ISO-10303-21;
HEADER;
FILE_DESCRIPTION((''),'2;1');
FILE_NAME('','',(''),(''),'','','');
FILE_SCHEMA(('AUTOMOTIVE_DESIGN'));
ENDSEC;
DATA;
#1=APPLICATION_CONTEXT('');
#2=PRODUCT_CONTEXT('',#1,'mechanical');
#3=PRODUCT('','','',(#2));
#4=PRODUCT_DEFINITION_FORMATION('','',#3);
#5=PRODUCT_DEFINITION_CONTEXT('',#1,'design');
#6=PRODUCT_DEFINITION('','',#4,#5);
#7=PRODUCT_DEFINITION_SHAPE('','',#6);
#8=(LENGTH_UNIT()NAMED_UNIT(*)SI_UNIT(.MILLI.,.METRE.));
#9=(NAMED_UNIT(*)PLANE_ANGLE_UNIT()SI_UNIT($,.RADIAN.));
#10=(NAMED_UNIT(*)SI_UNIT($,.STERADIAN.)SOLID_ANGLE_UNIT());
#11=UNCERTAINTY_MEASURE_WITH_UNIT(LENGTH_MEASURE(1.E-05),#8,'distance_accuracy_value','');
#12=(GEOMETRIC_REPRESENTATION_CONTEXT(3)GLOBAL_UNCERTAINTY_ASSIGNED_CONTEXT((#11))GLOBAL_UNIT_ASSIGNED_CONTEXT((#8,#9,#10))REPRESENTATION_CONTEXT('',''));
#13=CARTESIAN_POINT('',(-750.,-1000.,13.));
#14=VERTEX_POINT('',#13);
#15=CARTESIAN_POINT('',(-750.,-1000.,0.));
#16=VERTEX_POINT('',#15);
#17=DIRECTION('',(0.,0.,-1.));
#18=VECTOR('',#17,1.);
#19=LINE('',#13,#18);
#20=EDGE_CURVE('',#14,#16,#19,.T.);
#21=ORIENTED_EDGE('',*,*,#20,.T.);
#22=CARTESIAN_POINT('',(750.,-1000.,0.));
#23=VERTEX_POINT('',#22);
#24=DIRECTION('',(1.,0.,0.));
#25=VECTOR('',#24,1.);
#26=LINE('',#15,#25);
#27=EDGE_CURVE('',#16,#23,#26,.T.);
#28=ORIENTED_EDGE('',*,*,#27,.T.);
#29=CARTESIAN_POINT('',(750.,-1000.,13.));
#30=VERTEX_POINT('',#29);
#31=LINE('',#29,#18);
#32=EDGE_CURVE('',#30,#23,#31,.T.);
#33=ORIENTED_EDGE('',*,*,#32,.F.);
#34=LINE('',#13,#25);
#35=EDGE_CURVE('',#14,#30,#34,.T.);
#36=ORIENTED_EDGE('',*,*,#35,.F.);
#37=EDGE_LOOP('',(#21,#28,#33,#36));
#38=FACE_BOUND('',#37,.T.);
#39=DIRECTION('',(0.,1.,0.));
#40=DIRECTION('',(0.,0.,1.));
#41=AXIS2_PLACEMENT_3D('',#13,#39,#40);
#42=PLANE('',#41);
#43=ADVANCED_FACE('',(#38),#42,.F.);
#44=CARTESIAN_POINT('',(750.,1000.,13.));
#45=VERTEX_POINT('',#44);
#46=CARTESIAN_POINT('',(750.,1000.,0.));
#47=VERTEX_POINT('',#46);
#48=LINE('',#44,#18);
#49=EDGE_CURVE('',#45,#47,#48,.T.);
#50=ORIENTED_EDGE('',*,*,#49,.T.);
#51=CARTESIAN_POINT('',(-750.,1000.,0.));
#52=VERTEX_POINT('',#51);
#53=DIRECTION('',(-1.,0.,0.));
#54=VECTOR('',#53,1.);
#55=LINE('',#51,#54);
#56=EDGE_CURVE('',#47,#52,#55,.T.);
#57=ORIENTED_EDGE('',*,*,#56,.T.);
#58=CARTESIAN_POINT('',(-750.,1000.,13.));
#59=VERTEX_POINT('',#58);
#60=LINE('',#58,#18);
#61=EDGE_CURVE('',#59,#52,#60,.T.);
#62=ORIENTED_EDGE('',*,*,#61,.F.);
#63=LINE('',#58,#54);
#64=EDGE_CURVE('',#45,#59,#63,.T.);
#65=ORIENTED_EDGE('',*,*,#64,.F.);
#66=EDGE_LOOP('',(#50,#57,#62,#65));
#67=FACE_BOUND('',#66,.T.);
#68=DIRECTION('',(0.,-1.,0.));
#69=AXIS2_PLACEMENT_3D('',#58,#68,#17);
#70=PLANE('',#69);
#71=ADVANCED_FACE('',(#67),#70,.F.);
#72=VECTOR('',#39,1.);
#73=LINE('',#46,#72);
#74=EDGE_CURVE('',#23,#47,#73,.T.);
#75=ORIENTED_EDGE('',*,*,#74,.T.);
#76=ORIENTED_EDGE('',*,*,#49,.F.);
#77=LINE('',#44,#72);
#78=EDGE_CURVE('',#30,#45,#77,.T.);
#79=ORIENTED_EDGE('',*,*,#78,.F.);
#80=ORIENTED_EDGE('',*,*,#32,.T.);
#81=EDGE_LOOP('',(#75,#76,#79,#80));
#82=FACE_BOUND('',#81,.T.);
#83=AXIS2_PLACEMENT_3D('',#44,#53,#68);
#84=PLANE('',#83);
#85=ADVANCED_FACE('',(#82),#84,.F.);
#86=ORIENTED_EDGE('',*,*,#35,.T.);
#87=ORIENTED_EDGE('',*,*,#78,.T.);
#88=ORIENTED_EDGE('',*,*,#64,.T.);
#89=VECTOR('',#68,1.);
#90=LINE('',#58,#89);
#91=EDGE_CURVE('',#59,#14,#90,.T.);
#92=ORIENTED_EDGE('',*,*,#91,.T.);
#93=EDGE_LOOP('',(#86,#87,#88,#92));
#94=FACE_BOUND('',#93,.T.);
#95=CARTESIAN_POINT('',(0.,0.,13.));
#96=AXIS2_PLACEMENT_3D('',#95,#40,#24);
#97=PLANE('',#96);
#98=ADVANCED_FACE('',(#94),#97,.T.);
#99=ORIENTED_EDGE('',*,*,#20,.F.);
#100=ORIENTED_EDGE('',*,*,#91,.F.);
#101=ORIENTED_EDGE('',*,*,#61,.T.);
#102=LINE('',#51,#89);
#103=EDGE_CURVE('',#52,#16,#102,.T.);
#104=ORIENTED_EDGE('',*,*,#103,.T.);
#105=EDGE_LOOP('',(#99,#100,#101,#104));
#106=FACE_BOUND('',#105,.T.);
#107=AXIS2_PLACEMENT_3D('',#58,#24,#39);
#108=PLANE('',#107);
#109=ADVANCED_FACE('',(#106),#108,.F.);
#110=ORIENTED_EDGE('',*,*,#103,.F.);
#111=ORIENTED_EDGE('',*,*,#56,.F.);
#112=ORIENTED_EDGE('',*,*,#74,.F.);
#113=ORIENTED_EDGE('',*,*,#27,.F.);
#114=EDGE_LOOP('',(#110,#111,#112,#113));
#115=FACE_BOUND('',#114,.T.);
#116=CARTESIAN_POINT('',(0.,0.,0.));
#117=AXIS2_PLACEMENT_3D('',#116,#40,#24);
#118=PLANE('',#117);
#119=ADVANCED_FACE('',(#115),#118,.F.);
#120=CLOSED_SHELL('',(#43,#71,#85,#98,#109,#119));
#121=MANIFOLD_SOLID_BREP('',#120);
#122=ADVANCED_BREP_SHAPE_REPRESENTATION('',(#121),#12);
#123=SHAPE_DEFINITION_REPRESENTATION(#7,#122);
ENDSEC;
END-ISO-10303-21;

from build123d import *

# Parameters (mm, degrees)
SKETCH_1_W      = 1500
SKETCH_1_H      = 2000
EXTRUDE_1_DEPTH = 13


with BuildPart() as part:
    # 草图1 → 凸台-拉伸1 (new body)
    with BuildSketch(Plane.XY):
        Rectangle(SKETCH_1_W, SKETCH_1_H)
    extrude(amount=EXTRUDE_1_DEPTH)


solid = part.part
